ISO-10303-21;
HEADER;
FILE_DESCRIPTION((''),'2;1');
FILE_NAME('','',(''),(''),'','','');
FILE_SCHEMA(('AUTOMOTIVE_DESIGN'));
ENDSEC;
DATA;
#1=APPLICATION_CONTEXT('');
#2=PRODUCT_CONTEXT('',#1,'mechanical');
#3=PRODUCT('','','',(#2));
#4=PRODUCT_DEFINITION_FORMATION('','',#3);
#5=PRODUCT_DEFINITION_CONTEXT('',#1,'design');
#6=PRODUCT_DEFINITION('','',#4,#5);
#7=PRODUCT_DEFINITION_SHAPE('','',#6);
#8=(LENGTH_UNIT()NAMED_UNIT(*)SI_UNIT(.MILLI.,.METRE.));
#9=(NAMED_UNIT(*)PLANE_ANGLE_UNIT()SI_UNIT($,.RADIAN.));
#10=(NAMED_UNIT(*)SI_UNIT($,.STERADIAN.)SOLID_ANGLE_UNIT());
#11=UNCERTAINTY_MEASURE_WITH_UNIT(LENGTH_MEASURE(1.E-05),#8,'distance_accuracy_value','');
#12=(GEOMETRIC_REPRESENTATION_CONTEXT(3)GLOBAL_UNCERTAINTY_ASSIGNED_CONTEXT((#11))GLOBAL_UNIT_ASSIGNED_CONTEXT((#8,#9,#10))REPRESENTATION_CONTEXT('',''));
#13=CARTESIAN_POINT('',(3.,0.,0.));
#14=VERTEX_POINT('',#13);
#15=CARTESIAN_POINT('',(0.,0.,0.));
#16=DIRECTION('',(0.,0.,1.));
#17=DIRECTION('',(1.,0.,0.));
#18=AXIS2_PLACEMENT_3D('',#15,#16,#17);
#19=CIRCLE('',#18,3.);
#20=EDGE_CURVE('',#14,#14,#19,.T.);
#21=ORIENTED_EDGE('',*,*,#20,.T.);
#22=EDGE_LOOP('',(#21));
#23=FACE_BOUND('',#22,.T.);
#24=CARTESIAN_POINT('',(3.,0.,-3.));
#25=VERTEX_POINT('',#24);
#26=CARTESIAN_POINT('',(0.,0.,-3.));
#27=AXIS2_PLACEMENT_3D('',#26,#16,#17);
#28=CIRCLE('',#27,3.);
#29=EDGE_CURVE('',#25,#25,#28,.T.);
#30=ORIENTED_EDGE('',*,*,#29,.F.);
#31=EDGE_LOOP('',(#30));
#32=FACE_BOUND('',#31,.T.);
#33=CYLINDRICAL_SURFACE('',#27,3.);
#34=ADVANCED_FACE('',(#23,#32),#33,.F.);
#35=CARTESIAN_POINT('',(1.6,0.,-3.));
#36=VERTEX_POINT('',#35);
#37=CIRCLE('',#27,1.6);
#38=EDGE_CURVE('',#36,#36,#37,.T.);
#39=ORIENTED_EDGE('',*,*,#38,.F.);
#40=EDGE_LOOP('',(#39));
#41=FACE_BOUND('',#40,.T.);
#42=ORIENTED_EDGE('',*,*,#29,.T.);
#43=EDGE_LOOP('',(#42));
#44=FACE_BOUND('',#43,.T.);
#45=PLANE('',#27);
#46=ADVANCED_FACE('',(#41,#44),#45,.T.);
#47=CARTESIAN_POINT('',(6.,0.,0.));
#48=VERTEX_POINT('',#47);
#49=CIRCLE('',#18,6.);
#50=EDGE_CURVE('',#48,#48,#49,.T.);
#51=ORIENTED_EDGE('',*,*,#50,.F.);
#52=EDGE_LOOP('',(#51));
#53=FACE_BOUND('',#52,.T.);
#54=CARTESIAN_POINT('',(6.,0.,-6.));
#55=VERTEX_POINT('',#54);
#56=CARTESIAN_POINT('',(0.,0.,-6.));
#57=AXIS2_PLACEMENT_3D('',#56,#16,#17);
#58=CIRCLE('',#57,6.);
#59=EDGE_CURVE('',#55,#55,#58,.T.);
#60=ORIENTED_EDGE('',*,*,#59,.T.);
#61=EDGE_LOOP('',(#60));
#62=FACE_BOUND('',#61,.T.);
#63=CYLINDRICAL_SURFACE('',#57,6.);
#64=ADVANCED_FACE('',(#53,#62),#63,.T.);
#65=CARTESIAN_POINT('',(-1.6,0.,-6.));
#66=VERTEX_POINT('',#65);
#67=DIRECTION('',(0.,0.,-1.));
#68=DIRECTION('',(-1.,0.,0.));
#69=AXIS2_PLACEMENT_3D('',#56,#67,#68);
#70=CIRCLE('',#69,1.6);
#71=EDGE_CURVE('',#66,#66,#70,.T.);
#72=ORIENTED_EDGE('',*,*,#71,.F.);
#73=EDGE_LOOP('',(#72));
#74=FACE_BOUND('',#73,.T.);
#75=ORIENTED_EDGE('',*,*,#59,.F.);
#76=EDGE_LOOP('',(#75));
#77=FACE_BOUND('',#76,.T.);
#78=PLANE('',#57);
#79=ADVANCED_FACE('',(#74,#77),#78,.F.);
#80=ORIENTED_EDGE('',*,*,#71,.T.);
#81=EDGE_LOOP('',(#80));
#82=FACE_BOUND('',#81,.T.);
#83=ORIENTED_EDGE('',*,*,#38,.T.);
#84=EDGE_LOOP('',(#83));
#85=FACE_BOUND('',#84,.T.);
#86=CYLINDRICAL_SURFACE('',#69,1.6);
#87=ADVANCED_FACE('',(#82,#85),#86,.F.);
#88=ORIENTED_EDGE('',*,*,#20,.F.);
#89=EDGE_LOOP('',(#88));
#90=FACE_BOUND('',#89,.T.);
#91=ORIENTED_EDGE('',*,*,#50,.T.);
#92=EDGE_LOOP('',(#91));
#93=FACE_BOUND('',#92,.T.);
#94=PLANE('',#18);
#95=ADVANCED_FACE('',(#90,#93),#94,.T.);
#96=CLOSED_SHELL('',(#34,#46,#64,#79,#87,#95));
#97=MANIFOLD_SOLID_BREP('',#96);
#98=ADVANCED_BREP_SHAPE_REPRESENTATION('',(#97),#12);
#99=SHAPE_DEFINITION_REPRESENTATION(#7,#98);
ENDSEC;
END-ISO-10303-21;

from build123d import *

# Parameters (mm, degrees)
SKETCH_1_R          = 6
EXTRUDE_1_DEPTH     = 6
SKETCH_1_4_R        = 3
CUT_EXTRUDE_2_DEPTH = 3
HOLE_WIZARD_M3_1_D  = 3.2


with BuildPart() as part:
    # ｽｹｯﾁ1 → ﾎﾞｽ - 押し出し1 (new body)
    with BuildSketch(Plane.XY):
        Circle(SKETCH_1_R)
    extrude(amount=-EXTRUDE_1_DEPTH)

    # ｽｹｯﾁ1<4> → ｶｯﾄ - 押し出し2 (cut)
    with BuildSketch(Plane.XY):
        Circle(SKETCH_1_4_R)
    extrude(amount=-CUT_EXTRUDE_2_DEPTH, mode=Mode.SUBTRACT)

    # M3 すきま穴1 (through all)
    with Locations(Plane(origin=(0, 0, -6), x_dir=(-1, 0, 0), z_dir=(0, 0, -1))):
        with Locations((0, 0)):
            Hole(HOLE_WIZARD_M3_1_D / 2)


solid = part.part
